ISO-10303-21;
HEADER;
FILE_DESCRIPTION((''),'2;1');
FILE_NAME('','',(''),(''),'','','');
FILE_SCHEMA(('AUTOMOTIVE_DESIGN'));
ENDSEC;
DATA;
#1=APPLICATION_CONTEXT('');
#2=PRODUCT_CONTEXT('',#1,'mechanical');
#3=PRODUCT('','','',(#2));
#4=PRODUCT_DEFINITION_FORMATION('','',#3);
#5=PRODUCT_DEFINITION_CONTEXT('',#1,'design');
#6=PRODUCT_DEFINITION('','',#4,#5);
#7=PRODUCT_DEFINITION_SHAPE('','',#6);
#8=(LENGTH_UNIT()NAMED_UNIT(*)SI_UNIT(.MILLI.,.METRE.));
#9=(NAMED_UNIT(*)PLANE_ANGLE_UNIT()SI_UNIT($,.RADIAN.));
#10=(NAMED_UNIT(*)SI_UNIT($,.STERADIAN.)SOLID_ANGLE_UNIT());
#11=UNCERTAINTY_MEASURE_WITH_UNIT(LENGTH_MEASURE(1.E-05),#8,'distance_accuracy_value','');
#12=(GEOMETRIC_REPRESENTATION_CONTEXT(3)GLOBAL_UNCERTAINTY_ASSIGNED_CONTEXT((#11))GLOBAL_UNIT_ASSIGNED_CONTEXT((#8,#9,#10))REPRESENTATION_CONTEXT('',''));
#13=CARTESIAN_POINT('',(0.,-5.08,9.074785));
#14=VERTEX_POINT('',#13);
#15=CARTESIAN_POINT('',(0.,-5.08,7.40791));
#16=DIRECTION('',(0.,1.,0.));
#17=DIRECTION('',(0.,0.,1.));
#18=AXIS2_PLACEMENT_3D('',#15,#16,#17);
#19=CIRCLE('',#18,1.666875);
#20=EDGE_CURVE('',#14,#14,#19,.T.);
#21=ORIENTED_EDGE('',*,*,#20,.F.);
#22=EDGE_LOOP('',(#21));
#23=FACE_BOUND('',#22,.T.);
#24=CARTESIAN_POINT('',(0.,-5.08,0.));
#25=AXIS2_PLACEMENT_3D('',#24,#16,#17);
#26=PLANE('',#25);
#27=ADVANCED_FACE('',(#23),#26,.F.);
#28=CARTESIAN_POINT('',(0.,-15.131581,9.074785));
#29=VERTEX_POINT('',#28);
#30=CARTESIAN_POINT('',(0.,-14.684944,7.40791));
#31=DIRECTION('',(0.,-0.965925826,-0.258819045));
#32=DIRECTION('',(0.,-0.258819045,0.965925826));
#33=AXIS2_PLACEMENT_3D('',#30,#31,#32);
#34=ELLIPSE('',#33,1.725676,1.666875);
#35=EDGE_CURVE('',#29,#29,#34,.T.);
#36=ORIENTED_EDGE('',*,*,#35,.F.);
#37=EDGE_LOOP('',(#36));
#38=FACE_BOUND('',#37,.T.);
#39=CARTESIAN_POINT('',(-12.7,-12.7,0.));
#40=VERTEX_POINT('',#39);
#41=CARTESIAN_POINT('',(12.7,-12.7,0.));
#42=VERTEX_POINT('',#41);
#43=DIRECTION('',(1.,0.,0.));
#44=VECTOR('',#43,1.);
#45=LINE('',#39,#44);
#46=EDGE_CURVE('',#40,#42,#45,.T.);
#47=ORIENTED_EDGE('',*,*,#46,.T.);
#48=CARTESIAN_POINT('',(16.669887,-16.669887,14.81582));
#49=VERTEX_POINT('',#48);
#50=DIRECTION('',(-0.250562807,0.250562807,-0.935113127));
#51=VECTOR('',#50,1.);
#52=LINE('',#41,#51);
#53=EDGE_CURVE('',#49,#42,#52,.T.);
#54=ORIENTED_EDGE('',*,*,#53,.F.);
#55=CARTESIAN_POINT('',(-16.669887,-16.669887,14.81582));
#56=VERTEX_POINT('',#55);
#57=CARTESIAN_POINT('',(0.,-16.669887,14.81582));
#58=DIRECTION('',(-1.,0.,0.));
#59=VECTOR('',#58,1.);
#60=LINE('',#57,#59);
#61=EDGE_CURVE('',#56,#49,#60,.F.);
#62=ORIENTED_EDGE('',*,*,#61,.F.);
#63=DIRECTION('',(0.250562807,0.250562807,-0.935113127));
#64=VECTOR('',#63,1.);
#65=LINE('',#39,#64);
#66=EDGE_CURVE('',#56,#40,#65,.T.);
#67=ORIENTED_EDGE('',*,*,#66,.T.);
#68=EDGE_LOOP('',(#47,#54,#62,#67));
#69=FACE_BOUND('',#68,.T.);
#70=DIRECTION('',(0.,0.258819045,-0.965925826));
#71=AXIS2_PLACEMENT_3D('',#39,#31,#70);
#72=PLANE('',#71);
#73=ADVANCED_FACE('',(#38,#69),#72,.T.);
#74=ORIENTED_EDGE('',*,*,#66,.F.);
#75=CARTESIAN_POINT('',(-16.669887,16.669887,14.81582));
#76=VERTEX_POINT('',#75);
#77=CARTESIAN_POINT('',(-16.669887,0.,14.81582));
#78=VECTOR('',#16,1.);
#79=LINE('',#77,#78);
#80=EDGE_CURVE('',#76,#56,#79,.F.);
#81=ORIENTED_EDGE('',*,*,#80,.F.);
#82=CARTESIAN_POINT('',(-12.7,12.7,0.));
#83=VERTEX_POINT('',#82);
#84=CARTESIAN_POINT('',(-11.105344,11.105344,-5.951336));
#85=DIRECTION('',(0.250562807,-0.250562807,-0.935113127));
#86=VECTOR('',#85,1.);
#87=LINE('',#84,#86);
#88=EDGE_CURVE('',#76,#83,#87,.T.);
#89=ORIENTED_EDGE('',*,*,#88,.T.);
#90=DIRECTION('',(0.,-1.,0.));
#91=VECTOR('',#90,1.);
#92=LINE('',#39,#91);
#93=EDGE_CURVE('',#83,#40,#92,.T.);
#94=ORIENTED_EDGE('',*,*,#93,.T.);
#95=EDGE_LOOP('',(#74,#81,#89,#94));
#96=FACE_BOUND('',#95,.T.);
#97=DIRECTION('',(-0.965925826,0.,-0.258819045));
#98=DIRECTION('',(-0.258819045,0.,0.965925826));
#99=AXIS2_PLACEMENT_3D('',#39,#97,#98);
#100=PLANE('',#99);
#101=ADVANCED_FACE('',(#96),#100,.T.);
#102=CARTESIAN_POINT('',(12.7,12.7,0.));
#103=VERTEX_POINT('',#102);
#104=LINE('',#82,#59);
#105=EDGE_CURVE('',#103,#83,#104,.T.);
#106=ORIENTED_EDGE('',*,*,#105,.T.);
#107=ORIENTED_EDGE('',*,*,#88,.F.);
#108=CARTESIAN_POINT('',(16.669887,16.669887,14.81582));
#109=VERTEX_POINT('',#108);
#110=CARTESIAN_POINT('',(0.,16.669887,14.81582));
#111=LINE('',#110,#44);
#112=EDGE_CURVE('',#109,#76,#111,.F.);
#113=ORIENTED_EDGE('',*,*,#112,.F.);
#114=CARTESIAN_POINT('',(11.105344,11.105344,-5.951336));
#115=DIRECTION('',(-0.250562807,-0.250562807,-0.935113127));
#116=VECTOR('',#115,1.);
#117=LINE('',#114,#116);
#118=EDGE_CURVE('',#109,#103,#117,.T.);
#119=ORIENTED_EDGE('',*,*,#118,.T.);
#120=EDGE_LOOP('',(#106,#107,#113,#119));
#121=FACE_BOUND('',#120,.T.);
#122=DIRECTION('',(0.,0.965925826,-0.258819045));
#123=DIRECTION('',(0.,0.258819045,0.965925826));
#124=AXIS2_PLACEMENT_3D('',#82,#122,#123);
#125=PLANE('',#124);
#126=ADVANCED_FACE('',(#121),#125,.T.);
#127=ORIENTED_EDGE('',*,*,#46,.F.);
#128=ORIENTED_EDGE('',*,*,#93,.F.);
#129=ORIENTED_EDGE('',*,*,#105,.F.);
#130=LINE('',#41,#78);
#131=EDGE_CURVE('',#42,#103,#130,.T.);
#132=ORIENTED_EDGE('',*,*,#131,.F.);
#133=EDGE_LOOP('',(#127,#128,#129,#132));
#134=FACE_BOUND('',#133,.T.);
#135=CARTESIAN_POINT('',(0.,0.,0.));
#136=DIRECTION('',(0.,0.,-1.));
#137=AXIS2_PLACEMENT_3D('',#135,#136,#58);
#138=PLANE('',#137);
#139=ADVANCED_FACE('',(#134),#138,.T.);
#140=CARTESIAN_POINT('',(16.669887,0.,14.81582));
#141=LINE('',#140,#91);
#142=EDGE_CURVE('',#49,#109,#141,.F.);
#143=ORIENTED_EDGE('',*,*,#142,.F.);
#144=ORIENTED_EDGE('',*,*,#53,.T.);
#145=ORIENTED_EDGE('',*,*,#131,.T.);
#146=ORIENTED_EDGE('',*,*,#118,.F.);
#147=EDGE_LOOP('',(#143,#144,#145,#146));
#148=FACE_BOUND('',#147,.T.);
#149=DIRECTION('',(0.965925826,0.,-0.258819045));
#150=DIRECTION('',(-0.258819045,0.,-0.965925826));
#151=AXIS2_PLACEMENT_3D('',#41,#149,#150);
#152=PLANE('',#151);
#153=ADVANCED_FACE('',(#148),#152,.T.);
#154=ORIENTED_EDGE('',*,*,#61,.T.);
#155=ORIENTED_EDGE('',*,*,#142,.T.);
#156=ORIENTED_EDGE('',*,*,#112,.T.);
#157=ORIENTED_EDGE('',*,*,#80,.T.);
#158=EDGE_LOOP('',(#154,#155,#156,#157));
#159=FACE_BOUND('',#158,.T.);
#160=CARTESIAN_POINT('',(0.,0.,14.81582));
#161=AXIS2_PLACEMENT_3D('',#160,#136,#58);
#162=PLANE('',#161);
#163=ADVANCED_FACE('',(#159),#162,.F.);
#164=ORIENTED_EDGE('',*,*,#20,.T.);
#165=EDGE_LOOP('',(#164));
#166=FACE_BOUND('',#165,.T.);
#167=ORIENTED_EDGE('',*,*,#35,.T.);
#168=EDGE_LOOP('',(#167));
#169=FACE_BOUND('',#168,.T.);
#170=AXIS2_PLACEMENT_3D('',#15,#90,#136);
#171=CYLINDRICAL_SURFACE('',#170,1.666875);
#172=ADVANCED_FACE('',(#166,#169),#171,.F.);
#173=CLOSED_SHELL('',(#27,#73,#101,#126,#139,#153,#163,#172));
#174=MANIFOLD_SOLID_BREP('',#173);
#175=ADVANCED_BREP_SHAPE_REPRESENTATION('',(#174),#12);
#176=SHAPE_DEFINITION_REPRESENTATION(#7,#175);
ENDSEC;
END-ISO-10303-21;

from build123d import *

# Parameters (mm, degrees)
ESQUISSE1_W             = 25.4
ESQUISSE1_H             = 25.4
BOSS_EXTRU_1_DEPTH      = 14.81582
BOSS_EXTRU_1_DRAFT      = -15
ENL_V_MAT_EXTRU_1_DEPTH = 12.7


with BuildPart() as part:
    # Esquisse1 → Boss.-Extru.1 (with draft: the straight prism first)
    with BuildSketch(Plane.XY):
        Rectangle(ESQUISSE1_W, ESQUISSE1_H)
    extrude(amount=BOSS_EXTRU_1_DEPTH)
    # Boss.-Extru.1: the draft: its side faces are tilted about the plane it starts from
    boss_extru_1_sides = [part.faces().sort_by_distance(p)[0] for p in [
        (0, -12.7, 7.40791),
        (12.7, 0, 7.40791),
        (0, 12.7, 7.40791),
        (-12.7, 0, 7.40791),
    ]]
    draft(boss_extru_1_sides, Plane.XY, BOSS_EXTRU_1_DRAFT)

    # Esquisse5 → Enlèv. mat.-Extru.1 (cut)
    with BuildSketch(Plane(origin=(0, -17.78, 0), x_dir=(1, 0, 0), z_dir=(0, 1, 0))):
        with BuildLine():
            ThreePointArc((0, -5.741035), (-1.178658616, -8.586568616), (1.666875, -7.40791))
            ThreePointArc((1.666875, -7.40791), (1.178658616, -6.229251384), (0, -5.741035))
        make_face()
    extrude(amount=ENL_V_MAT_EXTRU_1_DEPTH, mode=Mode.SUBTRACT)


solid = part.part
